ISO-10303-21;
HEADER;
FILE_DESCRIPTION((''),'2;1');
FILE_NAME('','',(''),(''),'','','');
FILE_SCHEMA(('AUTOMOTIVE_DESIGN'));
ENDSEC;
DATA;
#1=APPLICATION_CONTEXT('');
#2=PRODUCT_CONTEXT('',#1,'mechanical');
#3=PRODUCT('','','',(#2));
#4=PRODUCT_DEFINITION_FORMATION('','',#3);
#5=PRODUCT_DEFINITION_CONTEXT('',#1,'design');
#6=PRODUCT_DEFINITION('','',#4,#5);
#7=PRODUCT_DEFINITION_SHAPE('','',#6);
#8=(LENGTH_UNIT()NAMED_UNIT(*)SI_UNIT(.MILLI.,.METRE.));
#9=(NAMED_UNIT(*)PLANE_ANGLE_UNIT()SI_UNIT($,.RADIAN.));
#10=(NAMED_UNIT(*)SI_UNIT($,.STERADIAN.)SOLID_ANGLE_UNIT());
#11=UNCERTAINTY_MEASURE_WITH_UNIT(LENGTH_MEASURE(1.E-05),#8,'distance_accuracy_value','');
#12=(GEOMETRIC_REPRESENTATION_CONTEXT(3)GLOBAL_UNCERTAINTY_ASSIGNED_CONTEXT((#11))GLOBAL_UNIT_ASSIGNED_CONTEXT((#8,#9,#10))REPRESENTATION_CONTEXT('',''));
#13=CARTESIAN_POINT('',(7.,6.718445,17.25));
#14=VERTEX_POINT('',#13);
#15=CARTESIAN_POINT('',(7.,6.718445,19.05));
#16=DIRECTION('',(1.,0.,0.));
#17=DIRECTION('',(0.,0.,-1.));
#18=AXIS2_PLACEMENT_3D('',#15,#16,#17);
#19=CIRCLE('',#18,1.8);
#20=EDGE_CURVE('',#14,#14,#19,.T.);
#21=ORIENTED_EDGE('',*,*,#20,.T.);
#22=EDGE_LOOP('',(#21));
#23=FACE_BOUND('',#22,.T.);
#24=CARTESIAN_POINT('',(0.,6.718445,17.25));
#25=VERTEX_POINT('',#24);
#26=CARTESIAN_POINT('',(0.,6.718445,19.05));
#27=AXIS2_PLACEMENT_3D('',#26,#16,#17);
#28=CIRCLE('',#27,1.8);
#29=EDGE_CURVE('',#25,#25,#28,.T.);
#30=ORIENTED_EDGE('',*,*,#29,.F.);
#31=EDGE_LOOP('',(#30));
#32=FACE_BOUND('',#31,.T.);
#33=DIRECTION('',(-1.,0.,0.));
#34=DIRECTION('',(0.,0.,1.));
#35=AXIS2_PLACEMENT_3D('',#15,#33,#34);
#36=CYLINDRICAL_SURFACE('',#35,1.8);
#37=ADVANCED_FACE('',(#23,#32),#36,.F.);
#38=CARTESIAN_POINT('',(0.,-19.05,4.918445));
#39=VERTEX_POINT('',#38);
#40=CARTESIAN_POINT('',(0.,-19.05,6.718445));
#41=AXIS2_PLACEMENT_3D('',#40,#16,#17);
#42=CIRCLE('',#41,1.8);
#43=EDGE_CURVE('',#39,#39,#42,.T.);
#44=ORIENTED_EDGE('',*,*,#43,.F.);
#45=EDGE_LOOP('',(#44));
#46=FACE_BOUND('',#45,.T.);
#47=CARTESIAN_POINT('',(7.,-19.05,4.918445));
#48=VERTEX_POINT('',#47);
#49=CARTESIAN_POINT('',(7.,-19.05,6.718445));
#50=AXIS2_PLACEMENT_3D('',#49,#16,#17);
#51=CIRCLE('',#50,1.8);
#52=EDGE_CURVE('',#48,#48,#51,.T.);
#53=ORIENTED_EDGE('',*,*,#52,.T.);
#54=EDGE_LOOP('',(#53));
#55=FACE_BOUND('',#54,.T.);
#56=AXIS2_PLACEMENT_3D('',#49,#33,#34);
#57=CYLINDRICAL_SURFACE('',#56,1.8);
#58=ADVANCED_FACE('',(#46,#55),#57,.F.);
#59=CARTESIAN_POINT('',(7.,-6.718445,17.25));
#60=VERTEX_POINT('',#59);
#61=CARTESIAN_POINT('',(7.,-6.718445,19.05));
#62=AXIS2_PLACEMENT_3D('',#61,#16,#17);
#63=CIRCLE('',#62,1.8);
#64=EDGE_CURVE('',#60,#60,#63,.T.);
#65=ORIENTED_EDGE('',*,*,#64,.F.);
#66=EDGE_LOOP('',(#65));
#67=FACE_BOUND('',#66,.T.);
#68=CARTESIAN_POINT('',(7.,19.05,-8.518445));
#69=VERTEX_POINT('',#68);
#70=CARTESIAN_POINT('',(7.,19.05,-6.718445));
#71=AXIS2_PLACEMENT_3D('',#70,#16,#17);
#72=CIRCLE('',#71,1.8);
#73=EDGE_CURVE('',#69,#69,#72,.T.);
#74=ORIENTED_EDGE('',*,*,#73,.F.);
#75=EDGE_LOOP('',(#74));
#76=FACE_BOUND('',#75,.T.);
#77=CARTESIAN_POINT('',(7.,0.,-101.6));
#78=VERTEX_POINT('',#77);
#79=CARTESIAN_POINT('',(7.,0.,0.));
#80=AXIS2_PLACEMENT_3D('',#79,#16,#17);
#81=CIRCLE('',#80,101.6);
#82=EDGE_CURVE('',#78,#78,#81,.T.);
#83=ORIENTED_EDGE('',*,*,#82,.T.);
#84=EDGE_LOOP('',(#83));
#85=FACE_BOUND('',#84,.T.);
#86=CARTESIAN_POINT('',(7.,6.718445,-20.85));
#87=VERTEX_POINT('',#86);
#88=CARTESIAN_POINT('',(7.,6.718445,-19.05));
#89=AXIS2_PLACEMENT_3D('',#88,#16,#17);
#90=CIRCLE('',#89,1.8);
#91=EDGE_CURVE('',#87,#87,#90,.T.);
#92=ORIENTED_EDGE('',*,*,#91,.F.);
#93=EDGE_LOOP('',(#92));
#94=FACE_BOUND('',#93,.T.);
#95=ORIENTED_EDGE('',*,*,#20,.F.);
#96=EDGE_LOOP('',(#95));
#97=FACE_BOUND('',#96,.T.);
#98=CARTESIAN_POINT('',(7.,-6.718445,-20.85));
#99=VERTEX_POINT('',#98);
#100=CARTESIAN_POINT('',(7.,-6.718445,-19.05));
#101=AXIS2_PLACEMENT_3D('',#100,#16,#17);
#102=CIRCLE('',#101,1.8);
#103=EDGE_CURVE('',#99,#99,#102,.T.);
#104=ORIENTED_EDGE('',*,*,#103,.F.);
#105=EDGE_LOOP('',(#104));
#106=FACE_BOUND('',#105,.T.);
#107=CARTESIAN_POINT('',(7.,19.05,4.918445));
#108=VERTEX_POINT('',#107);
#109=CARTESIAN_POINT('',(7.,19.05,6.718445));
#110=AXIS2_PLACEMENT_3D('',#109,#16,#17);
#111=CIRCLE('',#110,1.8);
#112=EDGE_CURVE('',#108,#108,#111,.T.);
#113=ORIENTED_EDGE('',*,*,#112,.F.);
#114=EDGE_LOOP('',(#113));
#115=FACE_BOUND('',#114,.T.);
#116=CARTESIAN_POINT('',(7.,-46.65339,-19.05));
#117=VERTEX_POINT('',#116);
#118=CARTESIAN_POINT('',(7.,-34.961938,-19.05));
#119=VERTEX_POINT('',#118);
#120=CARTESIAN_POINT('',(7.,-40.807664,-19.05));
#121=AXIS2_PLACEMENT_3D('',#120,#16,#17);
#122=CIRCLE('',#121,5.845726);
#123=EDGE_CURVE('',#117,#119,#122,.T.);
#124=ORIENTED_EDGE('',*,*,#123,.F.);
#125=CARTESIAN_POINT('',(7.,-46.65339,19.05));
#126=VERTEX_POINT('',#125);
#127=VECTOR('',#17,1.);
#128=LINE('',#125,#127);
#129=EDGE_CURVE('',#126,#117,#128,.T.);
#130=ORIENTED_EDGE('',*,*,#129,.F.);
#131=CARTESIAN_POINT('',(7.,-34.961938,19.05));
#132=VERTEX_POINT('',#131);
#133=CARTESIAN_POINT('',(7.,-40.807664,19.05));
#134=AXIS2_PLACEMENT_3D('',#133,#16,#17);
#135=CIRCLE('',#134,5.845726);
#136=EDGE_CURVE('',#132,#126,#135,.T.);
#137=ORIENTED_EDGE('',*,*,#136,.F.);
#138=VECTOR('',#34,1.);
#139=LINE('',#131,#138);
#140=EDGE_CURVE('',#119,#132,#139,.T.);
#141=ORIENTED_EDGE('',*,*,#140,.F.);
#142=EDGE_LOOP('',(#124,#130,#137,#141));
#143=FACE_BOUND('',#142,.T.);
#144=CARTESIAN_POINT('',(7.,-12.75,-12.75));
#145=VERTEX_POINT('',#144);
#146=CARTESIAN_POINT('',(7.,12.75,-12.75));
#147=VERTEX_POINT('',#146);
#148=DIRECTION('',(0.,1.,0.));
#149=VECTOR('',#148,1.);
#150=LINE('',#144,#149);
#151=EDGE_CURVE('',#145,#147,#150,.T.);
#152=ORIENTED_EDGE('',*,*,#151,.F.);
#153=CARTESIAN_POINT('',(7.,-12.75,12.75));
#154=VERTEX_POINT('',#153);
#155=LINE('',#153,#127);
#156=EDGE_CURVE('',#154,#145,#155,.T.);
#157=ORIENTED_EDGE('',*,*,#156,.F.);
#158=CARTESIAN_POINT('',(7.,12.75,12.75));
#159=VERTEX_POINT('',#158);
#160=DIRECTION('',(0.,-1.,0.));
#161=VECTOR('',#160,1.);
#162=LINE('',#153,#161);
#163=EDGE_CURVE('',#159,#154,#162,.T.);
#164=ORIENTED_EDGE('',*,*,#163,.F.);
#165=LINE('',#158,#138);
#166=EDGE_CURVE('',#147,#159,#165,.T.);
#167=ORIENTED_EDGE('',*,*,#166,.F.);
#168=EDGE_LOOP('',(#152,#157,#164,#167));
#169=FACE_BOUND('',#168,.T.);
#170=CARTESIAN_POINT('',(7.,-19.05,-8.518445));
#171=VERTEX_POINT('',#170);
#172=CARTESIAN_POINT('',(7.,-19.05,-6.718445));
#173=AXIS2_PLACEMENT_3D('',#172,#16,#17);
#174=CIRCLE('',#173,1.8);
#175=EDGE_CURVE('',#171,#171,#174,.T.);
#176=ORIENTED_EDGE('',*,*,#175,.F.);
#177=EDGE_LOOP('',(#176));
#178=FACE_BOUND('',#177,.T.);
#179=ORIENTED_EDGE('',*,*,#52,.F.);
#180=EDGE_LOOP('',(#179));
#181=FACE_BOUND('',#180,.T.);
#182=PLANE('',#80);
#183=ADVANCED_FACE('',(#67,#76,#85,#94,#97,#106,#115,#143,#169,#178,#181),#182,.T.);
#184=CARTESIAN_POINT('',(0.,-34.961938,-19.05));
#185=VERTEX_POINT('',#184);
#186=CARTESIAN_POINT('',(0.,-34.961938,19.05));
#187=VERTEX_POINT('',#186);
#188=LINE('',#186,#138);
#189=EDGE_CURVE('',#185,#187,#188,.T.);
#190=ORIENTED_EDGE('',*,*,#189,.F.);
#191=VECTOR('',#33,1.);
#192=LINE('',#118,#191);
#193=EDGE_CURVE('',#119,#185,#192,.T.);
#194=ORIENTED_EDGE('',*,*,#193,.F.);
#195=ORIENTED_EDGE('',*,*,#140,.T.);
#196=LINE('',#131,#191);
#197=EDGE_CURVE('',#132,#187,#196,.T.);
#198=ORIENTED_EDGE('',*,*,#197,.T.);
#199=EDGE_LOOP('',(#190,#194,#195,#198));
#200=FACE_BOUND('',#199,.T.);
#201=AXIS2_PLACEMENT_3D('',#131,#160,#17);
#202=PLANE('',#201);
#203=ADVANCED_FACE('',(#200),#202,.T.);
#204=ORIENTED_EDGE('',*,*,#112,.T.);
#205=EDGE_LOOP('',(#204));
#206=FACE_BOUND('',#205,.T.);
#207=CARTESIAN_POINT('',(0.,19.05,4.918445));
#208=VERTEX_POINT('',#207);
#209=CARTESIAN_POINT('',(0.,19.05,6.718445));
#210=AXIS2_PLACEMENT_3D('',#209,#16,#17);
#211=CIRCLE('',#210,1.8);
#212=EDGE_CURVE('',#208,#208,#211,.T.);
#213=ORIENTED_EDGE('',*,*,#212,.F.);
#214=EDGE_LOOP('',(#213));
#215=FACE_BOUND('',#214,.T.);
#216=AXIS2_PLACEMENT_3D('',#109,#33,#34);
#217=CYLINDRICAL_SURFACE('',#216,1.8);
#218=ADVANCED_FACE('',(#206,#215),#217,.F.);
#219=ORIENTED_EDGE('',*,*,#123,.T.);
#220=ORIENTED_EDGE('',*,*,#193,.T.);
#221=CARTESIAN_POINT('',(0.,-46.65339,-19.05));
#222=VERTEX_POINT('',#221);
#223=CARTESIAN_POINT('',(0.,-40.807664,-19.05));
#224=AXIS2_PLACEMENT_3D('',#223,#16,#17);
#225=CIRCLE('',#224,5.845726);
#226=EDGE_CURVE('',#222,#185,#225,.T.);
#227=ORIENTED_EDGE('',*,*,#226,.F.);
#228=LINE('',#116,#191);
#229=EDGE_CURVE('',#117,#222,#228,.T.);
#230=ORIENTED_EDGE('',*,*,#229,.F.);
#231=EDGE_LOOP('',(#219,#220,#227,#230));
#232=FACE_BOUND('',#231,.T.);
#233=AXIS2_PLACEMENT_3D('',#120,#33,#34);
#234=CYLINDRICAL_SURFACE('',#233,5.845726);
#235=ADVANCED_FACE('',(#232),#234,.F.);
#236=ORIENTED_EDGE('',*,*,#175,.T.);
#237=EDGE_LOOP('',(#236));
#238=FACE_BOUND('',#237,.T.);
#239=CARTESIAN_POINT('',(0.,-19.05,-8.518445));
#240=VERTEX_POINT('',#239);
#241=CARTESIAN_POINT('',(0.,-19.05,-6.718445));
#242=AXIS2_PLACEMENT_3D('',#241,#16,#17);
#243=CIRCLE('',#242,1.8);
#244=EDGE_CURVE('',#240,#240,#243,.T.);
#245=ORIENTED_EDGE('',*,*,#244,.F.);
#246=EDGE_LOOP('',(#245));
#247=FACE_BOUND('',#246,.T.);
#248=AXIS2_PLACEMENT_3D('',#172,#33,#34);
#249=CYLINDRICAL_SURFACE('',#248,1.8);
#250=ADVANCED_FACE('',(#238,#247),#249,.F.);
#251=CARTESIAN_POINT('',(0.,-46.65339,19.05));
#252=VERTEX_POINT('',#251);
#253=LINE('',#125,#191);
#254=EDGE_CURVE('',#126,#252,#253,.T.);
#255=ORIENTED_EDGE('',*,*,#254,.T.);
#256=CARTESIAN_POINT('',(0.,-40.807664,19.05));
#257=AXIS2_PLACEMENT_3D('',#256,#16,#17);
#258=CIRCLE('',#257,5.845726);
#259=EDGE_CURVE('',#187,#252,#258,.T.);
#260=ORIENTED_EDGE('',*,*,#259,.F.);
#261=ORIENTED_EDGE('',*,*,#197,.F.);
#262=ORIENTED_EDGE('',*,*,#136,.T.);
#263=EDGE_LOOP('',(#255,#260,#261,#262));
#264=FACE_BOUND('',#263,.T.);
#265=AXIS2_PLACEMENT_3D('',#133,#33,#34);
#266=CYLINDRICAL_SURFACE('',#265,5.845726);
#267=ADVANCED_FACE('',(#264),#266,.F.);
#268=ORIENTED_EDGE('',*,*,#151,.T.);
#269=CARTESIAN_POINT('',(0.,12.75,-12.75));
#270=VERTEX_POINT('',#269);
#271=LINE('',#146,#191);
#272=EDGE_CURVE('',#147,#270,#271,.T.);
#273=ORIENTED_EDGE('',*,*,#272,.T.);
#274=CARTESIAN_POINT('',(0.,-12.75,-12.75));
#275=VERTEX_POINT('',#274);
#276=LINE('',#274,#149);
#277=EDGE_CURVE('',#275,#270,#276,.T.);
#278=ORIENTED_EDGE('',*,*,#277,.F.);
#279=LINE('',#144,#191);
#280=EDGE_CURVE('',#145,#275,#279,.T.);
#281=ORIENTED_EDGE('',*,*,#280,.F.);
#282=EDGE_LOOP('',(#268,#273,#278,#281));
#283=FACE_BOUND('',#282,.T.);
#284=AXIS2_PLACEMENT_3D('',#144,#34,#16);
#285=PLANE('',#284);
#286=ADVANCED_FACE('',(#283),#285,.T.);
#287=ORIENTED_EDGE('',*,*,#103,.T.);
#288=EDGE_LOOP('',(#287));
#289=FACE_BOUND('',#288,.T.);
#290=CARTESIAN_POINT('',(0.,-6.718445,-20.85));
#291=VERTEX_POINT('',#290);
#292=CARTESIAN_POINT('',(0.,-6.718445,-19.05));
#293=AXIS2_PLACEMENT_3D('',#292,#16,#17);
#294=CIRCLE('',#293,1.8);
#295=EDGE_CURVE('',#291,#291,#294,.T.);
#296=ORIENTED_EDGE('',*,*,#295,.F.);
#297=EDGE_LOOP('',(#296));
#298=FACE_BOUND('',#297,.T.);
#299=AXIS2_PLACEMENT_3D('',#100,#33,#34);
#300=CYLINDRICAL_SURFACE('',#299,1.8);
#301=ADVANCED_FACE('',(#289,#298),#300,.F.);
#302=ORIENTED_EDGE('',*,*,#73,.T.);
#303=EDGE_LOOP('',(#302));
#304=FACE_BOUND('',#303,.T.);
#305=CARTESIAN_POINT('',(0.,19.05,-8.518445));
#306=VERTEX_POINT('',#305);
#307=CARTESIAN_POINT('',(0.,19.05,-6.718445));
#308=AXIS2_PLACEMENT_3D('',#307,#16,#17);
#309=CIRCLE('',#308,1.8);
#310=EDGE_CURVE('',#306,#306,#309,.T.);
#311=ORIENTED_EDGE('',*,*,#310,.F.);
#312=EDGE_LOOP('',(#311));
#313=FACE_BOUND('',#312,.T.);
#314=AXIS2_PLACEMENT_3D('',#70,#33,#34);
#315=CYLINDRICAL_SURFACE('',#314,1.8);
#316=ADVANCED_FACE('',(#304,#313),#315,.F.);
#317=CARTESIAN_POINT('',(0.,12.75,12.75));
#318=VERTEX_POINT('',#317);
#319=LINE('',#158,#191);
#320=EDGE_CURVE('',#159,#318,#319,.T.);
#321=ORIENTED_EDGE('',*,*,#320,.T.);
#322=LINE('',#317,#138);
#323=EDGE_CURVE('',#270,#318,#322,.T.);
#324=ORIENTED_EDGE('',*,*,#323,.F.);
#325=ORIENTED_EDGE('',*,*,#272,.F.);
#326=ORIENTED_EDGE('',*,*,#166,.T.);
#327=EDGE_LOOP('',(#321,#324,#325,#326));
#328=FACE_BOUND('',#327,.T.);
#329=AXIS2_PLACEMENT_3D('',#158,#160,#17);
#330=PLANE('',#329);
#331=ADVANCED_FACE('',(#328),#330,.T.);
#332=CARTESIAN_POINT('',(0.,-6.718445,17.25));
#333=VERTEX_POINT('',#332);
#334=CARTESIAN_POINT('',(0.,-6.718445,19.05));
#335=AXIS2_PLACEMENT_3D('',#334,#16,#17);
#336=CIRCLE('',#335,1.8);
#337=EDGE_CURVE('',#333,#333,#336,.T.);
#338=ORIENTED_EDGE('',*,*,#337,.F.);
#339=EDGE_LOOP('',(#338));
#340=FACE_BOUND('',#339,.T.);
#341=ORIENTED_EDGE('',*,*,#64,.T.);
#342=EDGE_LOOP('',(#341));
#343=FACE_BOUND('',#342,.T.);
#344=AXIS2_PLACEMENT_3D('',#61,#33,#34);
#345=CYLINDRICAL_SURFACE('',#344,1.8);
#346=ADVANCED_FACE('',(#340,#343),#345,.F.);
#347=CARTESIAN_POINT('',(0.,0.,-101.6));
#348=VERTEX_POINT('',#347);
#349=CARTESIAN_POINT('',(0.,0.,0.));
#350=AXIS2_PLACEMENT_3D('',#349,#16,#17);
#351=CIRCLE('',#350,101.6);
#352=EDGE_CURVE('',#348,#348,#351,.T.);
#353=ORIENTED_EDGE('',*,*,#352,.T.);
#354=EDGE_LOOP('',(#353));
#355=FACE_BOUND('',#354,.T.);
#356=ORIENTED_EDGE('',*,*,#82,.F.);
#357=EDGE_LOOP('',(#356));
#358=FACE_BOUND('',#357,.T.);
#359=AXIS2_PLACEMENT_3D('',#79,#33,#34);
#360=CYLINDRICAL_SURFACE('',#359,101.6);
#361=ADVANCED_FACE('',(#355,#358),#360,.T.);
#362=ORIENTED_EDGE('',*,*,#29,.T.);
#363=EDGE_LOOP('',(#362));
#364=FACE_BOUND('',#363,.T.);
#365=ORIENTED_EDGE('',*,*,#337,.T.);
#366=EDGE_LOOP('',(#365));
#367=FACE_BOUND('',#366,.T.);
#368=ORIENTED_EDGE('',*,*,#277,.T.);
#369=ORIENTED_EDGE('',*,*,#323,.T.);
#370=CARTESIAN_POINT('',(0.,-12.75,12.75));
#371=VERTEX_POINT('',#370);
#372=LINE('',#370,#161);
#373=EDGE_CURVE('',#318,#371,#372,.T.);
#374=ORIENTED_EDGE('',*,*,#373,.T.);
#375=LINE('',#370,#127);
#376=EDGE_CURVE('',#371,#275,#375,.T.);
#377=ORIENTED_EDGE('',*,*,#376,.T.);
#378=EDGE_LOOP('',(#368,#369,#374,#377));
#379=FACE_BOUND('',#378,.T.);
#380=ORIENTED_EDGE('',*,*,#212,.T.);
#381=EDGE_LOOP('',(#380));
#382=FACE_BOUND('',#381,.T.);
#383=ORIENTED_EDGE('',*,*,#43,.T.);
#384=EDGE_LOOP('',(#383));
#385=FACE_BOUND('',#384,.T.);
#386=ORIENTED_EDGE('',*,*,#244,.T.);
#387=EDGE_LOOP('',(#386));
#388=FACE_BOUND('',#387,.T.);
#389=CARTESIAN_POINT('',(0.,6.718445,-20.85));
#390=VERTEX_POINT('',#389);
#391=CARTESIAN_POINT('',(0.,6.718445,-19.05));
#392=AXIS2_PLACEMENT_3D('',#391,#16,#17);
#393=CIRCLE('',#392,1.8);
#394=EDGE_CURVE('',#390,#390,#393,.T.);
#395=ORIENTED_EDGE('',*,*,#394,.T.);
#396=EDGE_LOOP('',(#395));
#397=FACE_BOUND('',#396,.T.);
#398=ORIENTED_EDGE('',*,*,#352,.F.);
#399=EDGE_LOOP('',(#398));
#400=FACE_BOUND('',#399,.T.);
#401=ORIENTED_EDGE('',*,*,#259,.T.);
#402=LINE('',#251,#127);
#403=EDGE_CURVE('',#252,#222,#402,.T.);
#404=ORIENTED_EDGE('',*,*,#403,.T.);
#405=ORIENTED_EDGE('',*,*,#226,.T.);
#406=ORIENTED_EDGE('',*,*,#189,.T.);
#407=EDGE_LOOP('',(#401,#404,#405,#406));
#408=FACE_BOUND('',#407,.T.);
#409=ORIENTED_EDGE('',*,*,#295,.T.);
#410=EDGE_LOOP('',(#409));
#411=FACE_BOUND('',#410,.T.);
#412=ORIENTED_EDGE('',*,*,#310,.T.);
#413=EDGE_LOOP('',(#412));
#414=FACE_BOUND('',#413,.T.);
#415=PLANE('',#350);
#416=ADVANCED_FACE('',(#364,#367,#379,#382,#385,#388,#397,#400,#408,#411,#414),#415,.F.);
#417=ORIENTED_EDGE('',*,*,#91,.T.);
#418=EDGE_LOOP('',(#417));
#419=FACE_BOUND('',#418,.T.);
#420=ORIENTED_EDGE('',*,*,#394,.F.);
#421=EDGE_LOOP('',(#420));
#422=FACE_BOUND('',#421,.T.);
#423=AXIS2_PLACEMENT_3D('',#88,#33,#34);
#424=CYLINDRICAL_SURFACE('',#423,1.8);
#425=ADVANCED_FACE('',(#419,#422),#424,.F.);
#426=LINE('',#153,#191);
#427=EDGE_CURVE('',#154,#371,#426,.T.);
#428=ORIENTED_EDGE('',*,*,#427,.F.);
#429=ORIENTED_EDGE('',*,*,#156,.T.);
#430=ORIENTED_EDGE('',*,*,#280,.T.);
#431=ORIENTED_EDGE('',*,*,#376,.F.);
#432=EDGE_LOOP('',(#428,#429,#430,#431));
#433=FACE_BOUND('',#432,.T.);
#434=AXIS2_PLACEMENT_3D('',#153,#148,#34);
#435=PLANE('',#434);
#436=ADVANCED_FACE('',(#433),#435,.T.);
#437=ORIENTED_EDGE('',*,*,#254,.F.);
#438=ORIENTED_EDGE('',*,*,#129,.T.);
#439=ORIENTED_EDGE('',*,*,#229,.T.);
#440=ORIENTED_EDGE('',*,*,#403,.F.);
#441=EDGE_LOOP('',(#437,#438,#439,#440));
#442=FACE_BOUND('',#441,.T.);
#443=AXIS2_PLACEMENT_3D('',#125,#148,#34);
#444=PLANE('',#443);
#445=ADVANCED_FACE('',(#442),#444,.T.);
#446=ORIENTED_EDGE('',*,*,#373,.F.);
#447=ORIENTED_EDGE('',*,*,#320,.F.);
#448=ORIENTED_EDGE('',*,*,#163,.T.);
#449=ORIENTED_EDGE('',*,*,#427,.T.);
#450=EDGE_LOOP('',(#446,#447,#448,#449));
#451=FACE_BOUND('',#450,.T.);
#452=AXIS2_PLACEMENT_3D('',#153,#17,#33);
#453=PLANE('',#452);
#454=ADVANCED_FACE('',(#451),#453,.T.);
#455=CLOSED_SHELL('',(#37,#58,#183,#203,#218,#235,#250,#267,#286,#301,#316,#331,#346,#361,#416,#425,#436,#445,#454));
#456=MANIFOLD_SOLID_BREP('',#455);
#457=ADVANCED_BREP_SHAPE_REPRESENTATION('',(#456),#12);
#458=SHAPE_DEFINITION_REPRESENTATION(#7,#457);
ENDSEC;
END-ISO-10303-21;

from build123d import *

# Parameters (mm, degrees)
SKETCH1_R           = 101.6
SKETCH1_R_2         = 1.8
SKETCH1_W           = 25.5
SKETCH1_H           = 25.5
BOSS_EXTRUDE2_DEPTH = 7


with BuildPart() as part:
    # Sketch1 → Boss-Extrude2 (new body)
    with BuildSketch(Plane(origin=(0, 0, 0), x_dir=(0, 0, -1), z_dir=(1, 0, 0))):
        Circle(SKETCH1_R)
        with Locations((19.05, 6.718444761)):
            Circle(SKETCH1_R_2, mode=Mode.SUBTRACT)
        with Locations((19.05, -6.718444761)):
            Circle(SKETCH1_R_2, mode=Mode.SUBTRACT)
        with Locations((-6.718444761, -19.05)):
            Circle(SKETCH1_R_2, mode=Mode.SUBTRACT)
        with Locations((6.718444761, -19.05)):
            Circle(SKETCH1_R_2, mode=Mode.SUBTRACT)
        with Locations((-19.05, 6.718444761)):
            Circle(SKETCH1_R_2, mode=Mode.SUBTRACT)
        with Locations((-19.05, -6.718444761)):
            Circle(SKETCH1_R_2, mode=Mode.SUBTRACT)
        with Locations((6.718444761, 19.05)):
            Circle(SKETCH1_R_2, mode=Mode.SUBTRACT)
        with Locations((-6.718444761, 19.05)):
            Circle(SKETCH1_R_2, mode=Mode.SUBTRACT)
        Rectangle(SKETCH1_W, SKETCH1_H, mode=Mode.SUBTRACT)
        with BuildLine():
            Line((-19.05, -34.96193786), (19.05, -34.96193786))
            ThreePointArc((19.05, -34.96193786), (24.895725944, -40.807663805), (19.05, -46.653389749))
            Line((19.05, -46.653389749), (-19.05, -46.653389749))
            ThreePointArc((-19.05, -46.653389749), (-24.895725944, -40.807663805), (-19.05, -34.96193786))
        make_face(mode=Mode.SUBTRACT)
    extrude(amount=BOSS_EXTRUDE2_DEPTH)


solid = part.part
